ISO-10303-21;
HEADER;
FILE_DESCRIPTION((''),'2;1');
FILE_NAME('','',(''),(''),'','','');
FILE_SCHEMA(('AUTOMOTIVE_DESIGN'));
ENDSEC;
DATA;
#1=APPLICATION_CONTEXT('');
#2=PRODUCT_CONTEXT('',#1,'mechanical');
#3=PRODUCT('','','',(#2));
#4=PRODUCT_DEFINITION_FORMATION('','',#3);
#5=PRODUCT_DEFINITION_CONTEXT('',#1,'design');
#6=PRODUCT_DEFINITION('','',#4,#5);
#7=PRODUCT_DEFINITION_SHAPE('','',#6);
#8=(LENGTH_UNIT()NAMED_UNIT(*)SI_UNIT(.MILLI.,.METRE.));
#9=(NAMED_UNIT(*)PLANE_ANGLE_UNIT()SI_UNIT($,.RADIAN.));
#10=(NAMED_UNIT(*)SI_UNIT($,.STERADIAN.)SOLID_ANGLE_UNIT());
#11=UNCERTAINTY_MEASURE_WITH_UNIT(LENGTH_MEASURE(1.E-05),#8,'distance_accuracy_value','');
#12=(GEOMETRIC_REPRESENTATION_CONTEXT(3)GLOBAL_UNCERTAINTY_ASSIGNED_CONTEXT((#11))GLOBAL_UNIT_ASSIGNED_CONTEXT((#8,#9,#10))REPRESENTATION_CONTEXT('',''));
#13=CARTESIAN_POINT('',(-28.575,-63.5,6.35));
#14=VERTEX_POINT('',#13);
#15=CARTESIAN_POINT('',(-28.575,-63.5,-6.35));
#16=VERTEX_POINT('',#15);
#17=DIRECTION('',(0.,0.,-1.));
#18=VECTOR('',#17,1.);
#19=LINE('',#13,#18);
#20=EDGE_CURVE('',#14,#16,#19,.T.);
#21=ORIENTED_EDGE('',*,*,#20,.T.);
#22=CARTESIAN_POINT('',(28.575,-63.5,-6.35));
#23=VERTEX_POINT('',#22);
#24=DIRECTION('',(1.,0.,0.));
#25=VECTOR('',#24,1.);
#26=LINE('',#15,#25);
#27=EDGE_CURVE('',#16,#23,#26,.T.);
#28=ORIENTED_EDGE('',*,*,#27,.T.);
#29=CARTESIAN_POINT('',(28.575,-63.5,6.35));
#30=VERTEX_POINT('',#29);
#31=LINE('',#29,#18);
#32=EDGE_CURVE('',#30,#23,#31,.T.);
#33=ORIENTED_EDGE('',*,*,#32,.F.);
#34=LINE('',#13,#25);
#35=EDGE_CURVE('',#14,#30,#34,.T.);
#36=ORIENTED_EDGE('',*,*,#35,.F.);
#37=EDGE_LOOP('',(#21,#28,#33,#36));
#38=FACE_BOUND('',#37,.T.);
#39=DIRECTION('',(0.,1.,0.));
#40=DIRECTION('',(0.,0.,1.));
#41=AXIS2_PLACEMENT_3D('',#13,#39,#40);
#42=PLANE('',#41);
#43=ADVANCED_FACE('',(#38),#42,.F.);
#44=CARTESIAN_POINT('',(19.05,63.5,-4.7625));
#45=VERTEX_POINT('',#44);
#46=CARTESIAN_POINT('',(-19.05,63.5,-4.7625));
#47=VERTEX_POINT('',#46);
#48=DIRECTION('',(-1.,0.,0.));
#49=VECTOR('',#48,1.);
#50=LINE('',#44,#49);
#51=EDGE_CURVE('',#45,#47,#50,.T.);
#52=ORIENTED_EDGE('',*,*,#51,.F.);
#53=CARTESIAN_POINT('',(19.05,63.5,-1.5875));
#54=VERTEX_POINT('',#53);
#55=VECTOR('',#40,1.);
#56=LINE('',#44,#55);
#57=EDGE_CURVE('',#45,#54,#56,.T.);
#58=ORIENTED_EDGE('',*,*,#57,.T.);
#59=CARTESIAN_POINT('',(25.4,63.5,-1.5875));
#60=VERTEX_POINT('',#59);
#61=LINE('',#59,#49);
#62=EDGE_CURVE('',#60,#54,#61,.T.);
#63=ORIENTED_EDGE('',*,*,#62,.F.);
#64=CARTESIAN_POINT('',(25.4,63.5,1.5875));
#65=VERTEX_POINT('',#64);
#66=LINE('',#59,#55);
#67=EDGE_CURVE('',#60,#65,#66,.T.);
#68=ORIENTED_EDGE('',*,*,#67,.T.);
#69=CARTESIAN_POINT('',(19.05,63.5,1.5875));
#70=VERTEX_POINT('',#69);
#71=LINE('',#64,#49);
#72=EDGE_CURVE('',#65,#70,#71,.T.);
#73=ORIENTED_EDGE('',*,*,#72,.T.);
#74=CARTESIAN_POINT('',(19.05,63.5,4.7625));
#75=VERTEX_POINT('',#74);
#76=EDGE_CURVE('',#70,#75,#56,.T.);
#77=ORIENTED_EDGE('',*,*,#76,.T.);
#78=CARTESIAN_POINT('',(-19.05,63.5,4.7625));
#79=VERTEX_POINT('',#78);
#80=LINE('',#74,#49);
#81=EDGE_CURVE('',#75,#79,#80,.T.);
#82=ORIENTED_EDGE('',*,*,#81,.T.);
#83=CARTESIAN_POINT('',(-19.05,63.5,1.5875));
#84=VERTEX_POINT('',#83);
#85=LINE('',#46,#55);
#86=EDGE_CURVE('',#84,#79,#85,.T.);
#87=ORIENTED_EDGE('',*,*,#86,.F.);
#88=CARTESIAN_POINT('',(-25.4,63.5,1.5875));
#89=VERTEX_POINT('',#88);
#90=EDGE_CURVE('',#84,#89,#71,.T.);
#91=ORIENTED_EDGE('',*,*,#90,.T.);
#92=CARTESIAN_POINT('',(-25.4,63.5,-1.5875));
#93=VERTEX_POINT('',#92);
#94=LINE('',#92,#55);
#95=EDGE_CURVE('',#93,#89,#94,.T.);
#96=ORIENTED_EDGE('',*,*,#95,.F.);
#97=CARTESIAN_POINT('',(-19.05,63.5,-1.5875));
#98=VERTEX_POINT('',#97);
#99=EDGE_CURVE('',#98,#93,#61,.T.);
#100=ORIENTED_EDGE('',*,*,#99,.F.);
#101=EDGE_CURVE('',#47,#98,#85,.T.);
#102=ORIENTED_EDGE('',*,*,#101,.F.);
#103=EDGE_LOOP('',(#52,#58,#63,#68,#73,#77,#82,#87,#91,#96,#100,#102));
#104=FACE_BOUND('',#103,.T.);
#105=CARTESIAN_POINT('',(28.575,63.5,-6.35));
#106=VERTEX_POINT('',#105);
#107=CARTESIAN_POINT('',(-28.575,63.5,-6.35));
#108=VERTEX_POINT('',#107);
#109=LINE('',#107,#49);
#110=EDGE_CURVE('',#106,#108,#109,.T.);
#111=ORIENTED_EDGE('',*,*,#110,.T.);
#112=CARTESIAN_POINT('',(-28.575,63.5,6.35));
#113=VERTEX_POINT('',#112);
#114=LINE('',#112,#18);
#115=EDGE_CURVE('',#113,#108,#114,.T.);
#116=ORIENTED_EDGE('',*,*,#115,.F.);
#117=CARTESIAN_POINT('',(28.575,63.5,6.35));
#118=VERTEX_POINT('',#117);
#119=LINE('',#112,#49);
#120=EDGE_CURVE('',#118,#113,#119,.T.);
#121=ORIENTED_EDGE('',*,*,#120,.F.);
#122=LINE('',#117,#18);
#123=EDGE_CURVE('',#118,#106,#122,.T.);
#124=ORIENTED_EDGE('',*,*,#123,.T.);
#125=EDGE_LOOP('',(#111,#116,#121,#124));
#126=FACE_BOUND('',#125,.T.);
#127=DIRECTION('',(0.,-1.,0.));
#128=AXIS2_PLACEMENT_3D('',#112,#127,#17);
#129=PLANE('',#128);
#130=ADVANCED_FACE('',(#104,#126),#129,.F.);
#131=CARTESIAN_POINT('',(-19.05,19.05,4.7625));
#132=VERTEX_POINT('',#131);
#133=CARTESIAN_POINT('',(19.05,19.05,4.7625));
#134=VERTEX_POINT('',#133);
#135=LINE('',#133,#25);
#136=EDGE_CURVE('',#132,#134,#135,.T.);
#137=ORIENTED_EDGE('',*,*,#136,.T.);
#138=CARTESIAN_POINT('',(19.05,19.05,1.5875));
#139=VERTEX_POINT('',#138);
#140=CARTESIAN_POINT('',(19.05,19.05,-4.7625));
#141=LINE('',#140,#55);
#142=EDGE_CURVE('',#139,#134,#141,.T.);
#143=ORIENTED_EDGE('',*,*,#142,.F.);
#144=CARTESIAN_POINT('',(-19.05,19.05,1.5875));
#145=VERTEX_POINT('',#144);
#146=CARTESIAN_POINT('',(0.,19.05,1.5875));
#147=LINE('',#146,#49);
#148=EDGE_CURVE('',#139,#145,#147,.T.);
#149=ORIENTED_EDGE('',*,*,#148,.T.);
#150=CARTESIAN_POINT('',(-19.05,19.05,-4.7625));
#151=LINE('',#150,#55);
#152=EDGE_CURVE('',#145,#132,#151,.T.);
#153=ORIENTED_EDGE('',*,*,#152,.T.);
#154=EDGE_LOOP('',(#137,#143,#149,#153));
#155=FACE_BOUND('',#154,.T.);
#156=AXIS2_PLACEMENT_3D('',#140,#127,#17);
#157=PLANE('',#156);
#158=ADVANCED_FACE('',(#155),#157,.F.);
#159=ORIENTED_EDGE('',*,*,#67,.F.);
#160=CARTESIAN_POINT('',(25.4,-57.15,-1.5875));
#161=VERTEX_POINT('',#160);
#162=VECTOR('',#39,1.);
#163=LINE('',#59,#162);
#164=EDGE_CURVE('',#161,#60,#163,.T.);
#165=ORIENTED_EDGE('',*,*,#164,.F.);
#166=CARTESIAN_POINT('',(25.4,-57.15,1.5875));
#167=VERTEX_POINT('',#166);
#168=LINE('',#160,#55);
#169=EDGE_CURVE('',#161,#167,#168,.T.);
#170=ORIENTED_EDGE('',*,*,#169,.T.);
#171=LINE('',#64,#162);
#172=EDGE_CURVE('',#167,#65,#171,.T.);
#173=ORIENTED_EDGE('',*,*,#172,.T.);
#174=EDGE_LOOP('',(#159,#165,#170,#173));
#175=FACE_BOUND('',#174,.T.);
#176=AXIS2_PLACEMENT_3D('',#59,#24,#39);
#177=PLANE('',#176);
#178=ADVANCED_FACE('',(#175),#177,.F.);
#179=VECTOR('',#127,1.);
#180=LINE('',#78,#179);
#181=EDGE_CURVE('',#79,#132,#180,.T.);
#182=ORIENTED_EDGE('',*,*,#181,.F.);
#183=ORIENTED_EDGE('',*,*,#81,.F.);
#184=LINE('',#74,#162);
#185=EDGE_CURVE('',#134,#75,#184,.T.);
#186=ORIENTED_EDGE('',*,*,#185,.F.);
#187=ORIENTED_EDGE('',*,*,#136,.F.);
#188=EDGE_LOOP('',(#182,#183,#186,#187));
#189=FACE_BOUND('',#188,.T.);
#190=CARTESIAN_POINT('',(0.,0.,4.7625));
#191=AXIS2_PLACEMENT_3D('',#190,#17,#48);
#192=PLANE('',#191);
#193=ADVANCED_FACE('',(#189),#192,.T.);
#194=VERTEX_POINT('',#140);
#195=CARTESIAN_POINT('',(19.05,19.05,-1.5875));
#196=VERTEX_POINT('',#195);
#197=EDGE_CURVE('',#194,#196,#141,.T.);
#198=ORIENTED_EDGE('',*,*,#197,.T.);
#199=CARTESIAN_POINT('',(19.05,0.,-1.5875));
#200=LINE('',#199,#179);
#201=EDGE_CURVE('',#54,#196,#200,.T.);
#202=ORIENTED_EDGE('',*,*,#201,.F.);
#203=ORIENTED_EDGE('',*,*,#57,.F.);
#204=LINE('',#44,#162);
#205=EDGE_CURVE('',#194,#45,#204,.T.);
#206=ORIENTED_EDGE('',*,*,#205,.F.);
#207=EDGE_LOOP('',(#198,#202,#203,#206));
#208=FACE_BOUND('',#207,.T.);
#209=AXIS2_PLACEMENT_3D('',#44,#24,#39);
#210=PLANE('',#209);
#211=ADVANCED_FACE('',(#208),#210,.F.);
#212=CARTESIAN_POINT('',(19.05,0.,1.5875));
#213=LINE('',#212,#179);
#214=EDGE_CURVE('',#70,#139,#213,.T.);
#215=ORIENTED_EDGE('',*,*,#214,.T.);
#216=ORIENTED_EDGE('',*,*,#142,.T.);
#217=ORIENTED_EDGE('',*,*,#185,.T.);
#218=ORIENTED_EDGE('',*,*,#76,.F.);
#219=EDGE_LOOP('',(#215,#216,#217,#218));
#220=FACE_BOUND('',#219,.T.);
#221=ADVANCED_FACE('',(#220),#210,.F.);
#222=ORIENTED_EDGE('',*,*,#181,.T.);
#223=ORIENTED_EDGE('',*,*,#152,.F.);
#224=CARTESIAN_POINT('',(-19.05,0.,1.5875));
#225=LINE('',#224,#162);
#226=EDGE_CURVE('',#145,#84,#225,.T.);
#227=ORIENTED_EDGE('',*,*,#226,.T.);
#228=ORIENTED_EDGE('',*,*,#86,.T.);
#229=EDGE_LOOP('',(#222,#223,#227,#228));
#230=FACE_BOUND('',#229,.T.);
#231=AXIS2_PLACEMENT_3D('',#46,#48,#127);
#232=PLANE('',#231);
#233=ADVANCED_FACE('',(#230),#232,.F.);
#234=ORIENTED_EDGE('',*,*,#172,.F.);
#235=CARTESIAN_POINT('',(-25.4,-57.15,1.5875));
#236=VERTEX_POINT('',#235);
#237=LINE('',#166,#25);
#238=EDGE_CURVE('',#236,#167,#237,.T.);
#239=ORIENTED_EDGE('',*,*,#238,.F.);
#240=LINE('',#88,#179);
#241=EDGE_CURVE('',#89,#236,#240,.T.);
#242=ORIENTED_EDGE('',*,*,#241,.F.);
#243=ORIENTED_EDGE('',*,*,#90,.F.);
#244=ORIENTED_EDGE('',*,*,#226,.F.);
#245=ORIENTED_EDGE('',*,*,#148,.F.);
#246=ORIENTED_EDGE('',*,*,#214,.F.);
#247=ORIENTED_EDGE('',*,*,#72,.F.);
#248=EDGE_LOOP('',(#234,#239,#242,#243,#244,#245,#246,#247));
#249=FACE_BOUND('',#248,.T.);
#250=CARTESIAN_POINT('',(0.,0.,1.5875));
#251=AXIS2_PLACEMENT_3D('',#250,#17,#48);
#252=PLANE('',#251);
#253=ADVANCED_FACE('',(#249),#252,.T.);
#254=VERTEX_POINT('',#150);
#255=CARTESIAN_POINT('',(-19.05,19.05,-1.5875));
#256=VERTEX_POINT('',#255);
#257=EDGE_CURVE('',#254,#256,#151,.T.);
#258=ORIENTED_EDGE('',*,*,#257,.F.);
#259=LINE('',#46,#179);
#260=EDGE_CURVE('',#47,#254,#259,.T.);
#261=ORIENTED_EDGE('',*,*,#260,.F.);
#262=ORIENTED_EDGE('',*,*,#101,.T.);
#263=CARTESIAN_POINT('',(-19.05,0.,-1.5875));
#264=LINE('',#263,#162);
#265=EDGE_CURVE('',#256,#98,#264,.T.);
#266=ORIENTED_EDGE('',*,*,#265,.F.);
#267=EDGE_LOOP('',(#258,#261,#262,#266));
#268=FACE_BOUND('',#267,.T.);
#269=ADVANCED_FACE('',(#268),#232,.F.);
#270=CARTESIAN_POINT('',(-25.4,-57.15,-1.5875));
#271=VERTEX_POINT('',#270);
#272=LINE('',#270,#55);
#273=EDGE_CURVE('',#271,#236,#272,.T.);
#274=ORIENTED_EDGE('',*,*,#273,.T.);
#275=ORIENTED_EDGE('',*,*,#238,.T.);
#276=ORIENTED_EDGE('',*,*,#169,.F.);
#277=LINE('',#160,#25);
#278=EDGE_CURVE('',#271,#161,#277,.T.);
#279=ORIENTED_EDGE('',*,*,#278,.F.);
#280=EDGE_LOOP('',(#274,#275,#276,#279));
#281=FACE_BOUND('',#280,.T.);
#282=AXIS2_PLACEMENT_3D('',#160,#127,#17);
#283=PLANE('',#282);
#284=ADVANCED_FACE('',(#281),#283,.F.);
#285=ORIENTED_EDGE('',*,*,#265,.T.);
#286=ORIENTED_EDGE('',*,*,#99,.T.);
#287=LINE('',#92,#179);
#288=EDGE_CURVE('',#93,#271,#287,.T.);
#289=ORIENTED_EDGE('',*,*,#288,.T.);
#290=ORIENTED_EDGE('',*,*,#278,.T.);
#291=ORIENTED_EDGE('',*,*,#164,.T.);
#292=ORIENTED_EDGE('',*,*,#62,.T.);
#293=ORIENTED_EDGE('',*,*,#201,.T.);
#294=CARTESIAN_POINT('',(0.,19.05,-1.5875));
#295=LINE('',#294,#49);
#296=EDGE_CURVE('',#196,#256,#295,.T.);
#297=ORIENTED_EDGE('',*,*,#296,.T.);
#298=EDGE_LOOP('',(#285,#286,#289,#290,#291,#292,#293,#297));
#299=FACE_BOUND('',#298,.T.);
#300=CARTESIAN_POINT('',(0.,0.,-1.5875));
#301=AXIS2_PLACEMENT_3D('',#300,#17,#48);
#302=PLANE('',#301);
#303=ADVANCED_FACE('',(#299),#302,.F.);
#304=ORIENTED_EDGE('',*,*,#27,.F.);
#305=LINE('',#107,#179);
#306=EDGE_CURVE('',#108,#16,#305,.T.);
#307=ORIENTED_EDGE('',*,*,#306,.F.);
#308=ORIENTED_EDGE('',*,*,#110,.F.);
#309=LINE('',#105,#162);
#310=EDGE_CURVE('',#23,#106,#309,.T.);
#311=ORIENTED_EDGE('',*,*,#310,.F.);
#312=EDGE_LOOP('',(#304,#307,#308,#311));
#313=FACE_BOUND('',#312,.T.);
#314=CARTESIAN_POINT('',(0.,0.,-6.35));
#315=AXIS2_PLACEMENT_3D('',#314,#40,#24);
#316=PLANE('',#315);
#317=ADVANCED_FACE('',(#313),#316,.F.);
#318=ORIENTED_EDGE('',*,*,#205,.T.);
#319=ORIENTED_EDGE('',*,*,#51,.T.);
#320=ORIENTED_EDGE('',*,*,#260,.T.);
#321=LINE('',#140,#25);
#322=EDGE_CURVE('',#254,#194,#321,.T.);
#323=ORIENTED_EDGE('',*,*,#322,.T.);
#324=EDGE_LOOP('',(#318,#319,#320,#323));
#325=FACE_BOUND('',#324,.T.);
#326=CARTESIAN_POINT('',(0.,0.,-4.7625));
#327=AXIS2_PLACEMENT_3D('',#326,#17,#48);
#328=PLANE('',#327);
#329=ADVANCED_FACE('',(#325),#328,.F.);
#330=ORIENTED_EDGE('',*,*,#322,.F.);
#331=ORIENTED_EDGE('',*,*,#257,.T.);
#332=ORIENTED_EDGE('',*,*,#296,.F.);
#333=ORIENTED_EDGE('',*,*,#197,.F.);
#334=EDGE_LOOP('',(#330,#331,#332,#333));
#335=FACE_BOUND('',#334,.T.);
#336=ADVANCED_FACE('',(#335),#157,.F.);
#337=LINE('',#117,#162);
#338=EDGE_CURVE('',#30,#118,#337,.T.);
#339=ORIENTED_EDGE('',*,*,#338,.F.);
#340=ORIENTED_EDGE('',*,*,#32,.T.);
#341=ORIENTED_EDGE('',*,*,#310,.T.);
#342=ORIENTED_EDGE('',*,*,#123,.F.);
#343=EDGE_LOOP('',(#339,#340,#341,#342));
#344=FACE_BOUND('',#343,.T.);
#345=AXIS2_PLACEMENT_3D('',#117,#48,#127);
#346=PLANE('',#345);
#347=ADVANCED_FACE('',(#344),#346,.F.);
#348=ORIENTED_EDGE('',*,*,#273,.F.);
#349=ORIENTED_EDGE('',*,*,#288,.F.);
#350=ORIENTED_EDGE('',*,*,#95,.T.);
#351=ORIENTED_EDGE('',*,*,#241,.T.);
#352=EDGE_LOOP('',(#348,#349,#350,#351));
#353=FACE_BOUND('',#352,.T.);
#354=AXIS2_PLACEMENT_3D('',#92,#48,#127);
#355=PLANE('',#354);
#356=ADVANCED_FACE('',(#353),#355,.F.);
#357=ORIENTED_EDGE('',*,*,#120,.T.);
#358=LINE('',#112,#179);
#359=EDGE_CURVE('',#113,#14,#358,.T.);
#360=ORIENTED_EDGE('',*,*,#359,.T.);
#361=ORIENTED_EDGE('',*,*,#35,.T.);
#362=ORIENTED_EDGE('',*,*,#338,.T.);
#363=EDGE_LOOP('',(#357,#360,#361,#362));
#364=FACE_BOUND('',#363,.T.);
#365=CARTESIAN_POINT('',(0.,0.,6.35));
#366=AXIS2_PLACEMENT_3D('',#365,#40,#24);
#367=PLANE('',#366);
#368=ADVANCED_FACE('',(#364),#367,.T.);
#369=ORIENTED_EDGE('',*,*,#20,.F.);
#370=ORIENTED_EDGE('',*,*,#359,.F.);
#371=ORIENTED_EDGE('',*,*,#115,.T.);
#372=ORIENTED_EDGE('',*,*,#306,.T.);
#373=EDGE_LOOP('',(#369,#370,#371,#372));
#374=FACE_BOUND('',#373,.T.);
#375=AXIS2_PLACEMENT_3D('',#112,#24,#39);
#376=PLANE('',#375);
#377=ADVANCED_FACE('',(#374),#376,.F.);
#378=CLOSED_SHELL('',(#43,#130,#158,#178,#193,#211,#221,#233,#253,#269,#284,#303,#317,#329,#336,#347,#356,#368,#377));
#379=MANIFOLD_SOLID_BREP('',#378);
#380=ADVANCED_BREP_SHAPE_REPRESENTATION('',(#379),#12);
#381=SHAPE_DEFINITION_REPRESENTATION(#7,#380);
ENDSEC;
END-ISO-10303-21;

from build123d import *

# Parameters (mm, degrees)
SKETCH1_W           = 57.15
SKETCH1_H           = 127
BOSS_EXTRUDE1_DEPTH = 6.35
SKETCH2_W           = 50.8
SKETCH2_H           = 120.65
CUT_EXTRUDE1_DEPTH  = 1.5875
SKETCH3_W           = 38.1
SKETCH3_H           = 44.45
CUT_EXTRUDE2_DEPTH  = 4.7625


with BuildPart() as part:
    # Sketch1 → Boss-Extrude1 (new, symmetric)
    with BuildSketch(Plane.XY):
        Rectangle(SKETCH1_W, SKETCH1_H)
    extrude(amount=BOSS_EXTRUDE1_DEPTH, both=True)

    # Sketch2 → Cut-Extrude1 (cut, symmetric)
    with BuildSketch(Plane.XY):
        with Locations((0, 3.175)):
            Rectangle(SKETCH2_W, SKETCH2_H)
    extrude(amount=CUT_EXTRUDE1_DEPTH, both=True, mode=Mode.SUBTRACT)

    # Sketch3 → Cut-Extrude2 (cut, symmetric)
    with BuildSketch(Plane.XY):
        with Locations((0, 41.275)):
            Rectangle(SKETCH3_W, SKETCH3_H)
    extrude(amount=CUT_EXTRUDE2_DEPTH, both=True, mode=Mode.SUBTRACT)


solid = part.part
